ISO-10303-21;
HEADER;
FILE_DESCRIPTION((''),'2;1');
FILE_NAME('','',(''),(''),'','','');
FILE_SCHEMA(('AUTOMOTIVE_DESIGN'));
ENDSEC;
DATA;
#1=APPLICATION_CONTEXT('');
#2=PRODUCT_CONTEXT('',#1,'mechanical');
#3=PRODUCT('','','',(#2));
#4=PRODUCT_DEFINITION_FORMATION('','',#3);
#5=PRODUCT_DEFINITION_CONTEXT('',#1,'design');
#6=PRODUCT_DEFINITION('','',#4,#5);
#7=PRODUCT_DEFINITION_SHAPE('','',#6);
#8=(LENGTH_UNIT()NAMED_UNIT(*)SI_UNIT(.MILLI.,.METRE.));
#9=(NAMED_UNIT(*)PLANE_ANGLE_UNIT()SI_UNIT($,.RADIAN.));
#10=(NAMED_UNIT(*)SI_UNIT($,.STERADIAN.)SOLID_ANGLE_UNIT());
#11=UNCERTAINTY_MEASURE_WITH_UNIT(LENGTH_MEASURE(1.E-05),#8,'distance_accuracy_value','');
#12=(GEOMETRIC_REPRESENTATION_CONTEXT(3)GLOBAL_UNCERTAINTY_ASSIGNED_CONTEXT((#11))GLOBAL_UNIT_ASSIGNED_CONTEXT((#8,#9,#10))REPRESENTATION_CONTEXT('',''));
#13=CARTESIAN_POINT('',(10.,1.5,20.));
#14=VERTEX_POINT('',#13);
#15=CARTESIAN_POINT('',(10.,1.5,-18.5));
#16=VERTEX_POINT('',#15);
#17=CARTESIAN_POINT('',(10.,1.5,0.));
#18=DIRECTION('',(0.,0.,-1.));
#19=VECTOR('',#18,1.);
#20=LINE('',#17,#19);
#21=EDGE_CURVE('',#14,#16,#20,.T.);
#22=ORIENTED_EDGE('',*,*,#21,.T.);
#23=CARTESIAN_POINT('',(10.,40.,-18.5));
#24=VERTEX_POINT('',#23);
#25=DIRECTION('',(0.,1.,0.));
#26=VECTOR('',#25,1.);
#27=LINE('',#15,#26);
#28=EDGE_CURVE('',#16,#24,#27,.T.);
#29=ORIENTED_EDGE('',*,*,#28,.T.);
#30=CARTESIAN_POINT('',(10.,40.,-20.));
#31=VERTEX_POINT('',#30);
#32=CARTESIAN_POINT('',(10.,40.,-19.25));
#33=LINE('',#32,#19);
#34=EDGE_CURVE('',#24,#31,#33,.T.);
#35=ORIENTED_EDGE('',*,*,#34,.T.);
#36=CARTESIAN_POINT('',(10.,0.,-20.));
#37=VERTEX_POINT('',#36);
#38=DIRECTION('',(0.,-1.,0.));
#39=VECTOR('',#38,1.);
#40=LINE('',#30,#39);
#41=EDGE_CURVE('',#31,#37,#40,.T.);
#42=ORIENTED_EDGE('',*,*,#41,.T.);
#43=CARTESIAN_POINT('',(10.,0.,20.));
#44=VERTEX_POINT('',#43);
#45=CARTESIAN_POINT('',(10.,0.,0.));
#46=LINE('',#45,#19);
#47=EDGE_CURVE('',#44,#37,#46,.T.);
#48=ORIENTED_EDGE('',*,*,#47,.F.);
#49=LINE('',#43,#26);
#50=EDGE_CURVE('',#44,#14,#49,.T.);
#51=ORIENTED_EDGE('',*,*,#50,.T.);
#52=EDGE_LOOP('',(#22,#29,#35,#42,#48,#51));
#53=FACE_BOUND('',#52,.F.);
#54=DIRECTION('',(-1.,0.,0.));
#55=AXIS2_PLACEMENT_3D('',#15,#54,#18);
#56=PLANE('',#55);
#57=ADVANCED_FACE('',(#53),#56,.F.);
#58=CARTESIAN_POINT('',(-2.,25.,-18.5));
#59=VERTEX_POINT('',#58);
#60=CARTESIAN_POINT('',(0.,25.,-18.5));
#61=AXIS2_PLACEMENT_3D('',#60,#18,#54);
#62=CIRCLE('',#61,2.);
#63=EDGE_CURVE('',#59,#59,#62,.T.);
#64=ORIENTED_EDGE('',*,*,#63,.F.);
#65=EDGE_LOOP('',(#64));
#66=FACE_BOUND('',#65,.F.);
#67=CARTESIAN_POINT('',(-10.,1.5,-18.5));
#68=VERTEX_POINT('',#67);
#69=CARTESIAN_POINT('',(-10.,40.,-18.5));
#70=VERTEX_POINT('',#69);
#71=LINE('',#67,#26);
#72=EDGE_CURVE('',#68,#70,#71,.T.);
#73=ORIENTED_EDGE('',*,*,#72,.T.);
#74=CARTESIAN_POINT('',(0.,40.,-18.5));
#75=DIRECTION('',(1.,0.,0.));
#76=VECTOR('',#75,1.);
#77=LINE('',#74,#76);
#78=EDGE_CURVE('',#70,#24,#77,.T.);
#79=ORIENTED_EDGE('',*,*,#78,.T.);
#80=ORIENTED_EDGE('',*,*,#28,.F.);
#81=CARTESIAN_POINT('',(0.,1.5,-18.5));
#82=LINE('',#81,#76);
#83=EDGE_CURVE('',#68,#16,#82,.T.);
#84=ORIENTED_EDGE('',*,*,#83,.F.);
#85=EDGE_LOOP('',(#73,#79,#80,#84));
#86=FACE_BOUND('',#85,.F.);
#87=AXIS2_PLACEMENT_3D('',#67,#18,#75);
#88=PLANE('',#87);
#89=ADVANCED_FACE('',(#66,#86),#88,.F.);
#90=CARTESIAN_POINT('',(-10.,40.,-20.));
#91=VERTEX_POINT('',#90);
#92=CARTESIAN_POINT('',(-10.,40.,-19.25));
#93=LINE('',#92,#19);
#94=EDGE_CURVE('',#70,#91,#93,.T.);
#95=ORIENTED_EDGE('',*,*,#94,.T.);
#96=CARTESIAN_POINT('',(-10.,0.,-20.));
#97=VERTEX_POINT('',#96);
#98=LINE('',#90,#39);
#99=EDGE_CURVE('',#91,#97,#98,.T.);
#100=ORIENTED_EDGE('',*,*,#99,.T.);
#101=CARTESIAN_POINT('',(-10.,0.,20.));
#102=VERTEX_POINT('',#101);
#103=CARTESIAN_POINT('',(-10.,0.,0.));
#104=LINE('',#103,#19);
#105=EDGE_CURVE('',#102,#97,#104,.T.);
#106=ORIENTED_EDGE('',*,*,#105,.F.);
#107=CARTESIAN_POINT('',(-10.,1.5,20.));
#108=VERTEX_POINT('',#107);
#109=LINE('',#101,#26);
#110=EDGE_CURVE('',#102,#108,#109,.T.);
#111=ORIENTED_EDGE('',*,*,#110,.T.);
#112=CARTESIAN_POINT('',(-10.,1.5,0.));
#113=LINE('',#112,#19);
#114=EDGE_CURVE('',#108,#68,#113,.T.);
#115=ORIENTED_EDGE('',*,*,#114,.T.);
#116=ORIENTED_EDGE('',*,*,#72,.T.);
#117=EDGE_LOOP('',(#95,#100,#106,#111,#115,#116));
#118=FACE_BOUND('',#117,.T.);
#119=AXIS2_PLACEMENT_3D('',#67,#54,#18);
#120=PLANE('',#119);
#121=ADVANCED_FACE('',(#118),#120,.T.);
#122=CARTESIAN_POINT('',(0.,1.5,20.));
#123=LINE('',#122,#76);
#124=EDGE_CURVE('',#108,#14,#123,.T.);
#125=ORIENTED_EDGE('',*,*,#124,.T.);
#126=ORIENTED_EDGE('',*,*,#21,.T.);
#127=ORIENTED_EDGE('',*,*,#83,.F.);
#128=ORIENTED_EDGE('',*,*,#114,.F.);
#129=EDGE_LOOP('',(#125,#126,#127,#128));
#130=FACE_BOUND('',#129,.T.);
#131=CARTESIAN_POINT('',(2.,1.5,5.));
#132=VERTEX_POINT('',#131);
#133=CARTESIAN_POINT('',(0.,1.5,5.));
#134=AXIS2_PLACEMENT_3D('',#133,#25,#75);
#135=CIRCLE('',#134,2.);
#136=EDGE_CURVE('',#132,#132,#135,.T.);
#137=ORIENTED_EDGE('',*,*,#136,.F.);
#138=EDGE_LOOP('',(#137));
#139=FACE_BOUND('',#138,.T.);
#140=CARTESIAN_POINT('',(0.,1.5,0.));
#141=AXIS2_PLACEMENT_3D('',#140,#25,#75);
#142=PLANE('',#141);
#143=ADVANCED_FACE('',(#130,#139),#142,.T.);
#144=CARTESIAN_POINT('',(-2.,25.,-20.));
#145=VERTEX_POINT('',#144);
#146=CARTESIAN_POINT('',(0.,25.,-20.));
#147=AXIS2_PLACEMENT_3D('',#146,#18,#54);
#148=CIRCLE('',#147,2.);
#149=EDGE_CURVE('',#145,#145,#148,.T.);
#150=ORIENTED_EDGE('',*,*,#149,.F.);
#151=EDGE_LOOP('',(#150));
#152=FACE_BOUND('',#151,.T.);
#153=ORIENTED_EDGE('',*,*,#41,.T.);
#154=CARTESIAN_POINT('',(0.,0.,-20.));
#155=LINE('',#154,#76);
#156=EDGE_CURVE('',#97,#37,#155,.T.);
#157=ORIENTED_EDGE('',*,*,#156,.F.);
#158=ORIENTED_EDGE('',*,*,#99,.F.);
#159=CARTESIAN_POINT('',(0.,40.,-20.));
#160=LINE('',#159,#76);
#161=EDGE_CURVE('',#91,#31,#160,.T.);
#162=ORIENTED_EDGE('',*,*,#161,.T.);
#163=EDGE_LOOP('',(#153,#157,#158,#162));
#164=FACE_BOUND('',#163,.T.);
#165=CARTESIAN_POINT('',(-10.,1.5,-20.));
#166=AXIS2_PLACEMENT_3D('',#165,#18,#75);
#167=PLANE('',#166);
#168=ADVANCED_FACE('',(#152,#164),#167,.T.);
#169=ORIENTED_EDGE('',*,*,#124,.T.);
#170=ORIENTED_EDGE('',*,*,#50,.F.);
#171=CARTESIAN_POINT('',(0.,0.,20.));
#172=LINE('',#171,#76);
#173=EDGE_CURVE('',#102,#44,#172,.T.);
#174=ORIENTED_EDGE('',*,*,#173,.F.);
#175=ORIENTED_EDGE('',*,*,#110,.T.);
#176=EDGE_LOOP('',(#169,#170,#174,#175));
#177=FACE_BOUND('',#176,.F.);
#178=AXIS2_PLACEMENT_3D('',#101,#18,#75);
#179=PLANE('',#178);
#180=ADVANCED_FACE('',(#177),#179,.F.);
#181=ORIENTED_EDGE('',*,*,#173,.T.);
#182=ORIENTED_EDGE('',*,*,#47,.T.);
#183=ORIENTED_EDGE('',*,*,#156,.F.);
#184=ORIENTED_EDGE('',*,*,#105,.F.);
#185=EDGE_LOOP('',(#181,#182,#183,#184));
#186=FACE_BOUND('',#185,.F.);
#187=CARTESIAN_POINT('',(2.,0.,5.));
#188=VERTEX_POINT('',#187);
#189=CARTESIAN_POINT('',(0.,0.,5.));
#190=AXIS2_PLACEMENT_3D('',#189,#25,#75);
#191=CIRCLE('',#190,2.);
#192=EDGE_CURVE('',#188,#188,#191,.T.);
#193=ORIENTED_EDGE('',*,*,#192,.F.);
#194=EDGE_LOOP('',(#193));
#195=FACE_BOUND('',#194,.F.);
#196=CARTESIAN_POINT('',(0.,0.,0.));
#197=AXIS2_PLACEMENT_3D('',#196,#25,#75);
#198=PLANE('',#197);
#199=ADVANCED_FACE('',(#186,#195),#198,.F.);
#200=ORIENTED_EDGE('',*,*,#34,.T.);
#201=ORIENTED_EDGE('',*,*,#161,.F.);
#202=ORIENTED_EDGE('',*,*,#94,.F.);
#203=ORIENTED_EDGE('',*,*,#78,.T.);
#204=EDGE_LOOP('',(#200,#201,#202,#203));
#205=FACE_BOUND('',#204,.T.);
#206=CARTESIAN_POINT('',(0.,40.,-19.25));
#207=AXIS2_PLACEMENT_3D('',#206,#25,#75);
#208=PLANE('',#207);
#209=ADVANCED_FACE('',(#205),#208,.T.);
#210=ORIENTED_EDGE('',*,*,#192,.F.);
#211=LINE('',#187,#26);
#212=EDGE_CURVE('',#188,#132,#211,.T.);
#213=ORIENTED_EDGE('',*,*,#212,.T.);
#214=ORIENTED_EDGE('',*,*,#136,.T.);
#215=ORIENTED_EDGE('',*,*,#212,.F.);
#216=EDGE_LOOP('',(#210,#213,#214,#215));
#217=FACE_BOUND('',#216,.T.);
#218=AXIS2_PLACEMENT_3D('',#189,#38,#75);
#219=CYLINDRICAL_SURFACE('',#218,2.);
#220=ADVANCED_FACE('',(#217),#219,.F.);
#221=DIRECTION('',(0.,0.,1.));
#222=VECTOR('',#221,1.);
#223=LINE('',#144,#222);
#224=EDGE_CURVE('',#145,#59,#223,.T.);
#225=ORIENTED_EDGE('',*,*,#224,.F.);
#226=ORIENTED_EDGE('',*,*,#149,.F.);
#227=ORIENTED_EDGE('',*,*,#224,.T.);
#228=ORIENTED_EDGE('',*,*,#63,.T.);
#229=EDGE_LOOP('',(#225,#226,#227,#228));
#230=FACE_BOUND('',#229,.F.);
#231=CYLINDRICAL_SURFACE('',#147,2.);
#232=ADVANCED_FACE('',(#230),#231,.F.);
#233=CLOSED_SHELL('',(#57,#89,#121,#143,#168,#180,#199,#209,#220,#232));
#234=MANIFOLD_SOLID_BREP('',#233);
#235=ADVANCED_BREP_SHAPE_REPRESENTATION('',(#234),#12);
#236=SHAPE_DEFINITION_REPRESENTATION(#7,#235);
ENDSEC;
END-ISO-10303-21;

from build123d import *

# Parameters (mm, degrees)
SKETCH1_W           = 20
SKETCH1_H           = 40
SKETCH1_R           = 2
BOSS_EXTRUDE1_DEPTH = 1.5
SKETCH2_W           = 20
SKETCH2_H           = 1.5
BOSS_EXTRUDE2_DEPTH = 38.5
SKETCH3_R           = 2
CUT_EXTRUDE1_DEPTH  = 1.5


with BuildPart() as part:
    # Sketch1 → Boss-Extrude1 (new body)
    with BuildSketch(Plane(origin=(0, 0, 0), x_dir=(1, 0, 0), z_dir=(0, 1, 0))):
        Rectangle(SKETCH1_W, SKETCH1_H)
        with Locations((0, -5)):
            Circle(SKETCH1_R, mode=Mode.SUBTRACT)
    extrude(amount=BOSS_EXTRUDE1_DEPTH)

    # Sketch2 → Boss-Extrude2 (add)
    with BuildSketch(Plane(origin=(0, 1.5, 0), x_dir=(1, 0, 0), z_dir=(0, 1, 0))):
        with Locations((0, 19.25)):
            Rectangle(SKETCH2_W, SKETCH2_H)
    extrude(amount=BOSS_EXTRUDE2_DEPTH)

    # Sketch3 → Cut-Extrude1 (cut)
    with BuildSketch(Plane(origin=(0, 0, -20), x_dir=(-1, 0, 0), z_dir=(0, 0, -1))):
        with Locations((0, 25)):
            Circle(SKETCH3_R)
    extrude(amount=-CUT_EXTRUDE1_DEPTH, mode=Mode.SUBTRACT)


solid = part.part
